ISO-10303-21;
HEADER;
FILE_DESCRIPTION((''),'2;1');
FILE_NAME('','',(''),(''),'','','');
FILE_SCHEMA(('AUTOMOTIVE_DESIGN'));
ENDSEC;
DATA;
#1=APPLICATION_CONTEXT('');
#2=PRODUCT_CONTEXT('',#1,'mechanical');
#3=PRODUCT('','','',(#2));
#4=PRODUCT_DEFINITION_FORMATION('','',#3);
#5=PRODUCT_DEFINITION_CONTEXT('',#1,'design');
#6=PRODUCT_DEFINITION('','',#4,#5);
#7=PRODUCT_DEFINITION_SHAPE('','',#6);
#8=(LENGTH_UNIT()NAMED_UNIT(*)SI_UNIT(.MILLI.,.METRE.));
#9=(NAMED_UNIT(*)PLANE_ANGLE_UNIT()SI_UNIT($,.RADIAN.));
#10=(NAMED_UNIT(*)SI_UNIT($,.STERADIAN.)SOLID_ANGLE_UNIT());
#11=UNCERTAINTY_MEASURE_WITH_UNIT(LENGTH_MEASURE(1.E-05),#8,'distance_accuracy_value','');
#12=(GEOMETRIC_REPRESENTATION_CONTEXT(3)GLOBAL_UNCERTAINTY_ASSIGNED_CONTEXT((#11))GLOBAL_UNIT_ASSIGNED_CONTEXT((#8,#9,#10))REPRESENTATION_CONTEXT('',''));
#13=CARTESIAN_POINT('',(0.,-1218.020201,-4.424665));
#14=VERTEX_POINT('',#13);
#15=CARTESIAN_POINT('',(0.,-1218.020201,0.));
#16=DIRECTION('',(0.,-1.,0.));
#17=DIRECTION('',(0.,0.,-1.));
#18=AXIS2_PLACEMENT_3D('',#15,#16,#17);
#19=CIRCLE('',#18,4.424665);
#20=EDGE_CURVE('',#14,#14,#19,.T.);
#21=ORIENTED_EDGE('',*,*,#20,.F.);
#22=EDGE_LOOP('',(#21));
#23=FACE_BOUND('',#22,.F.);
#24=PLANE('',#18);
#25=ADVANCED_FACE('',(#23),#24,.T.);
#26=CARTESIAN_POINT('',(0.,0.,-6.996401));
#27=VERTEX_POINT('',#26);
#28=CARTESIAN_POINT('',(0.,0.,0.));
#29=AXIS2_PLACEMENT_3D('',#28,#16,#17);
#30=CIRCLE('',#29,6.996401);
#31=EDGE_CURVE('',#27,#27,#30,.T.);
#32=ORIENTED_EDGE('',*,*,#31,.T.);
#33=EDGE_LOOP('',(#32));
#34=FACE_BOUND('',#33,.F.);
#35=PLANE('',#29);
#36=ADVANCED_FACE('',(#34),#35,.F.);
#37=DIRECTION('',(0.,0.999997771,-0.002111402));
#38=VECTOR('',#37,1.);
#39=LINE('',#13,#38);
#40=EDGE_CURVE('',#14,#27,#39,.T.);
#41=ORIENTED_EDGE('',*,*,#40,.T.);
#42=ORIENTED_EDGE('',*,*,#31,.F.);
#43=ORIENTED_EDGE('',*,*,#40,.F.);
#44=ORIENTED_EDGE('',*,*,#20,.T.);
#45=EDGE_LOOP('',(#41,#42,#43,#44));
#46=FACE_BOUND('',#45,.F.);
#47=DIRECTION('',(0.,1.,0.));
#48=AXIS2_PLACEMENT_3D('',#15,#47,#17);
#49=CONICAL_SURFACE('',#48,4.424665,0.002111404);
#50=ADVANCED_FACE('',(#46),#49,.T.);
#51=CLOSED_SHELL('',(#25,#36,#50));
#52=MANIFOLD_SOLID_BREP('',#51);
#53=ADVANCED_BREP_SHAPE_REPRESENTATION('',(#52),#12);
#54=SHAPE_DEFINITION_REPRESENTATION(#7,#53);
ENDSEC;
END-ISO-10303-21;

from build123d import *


with BuildPart() as f1:
    # F0 (on Right) → F1 (revolve)
    with BuildSketch(Plane.YZ):
        Polygon((0, -6.996401), (0, 0), (-1218.020201, 0), (-1218.020201, -4.424665), align=None)
    revolve(axis=Axis((0, -609.0101, 0), (0, -1, 0)))


solid = f1.part
